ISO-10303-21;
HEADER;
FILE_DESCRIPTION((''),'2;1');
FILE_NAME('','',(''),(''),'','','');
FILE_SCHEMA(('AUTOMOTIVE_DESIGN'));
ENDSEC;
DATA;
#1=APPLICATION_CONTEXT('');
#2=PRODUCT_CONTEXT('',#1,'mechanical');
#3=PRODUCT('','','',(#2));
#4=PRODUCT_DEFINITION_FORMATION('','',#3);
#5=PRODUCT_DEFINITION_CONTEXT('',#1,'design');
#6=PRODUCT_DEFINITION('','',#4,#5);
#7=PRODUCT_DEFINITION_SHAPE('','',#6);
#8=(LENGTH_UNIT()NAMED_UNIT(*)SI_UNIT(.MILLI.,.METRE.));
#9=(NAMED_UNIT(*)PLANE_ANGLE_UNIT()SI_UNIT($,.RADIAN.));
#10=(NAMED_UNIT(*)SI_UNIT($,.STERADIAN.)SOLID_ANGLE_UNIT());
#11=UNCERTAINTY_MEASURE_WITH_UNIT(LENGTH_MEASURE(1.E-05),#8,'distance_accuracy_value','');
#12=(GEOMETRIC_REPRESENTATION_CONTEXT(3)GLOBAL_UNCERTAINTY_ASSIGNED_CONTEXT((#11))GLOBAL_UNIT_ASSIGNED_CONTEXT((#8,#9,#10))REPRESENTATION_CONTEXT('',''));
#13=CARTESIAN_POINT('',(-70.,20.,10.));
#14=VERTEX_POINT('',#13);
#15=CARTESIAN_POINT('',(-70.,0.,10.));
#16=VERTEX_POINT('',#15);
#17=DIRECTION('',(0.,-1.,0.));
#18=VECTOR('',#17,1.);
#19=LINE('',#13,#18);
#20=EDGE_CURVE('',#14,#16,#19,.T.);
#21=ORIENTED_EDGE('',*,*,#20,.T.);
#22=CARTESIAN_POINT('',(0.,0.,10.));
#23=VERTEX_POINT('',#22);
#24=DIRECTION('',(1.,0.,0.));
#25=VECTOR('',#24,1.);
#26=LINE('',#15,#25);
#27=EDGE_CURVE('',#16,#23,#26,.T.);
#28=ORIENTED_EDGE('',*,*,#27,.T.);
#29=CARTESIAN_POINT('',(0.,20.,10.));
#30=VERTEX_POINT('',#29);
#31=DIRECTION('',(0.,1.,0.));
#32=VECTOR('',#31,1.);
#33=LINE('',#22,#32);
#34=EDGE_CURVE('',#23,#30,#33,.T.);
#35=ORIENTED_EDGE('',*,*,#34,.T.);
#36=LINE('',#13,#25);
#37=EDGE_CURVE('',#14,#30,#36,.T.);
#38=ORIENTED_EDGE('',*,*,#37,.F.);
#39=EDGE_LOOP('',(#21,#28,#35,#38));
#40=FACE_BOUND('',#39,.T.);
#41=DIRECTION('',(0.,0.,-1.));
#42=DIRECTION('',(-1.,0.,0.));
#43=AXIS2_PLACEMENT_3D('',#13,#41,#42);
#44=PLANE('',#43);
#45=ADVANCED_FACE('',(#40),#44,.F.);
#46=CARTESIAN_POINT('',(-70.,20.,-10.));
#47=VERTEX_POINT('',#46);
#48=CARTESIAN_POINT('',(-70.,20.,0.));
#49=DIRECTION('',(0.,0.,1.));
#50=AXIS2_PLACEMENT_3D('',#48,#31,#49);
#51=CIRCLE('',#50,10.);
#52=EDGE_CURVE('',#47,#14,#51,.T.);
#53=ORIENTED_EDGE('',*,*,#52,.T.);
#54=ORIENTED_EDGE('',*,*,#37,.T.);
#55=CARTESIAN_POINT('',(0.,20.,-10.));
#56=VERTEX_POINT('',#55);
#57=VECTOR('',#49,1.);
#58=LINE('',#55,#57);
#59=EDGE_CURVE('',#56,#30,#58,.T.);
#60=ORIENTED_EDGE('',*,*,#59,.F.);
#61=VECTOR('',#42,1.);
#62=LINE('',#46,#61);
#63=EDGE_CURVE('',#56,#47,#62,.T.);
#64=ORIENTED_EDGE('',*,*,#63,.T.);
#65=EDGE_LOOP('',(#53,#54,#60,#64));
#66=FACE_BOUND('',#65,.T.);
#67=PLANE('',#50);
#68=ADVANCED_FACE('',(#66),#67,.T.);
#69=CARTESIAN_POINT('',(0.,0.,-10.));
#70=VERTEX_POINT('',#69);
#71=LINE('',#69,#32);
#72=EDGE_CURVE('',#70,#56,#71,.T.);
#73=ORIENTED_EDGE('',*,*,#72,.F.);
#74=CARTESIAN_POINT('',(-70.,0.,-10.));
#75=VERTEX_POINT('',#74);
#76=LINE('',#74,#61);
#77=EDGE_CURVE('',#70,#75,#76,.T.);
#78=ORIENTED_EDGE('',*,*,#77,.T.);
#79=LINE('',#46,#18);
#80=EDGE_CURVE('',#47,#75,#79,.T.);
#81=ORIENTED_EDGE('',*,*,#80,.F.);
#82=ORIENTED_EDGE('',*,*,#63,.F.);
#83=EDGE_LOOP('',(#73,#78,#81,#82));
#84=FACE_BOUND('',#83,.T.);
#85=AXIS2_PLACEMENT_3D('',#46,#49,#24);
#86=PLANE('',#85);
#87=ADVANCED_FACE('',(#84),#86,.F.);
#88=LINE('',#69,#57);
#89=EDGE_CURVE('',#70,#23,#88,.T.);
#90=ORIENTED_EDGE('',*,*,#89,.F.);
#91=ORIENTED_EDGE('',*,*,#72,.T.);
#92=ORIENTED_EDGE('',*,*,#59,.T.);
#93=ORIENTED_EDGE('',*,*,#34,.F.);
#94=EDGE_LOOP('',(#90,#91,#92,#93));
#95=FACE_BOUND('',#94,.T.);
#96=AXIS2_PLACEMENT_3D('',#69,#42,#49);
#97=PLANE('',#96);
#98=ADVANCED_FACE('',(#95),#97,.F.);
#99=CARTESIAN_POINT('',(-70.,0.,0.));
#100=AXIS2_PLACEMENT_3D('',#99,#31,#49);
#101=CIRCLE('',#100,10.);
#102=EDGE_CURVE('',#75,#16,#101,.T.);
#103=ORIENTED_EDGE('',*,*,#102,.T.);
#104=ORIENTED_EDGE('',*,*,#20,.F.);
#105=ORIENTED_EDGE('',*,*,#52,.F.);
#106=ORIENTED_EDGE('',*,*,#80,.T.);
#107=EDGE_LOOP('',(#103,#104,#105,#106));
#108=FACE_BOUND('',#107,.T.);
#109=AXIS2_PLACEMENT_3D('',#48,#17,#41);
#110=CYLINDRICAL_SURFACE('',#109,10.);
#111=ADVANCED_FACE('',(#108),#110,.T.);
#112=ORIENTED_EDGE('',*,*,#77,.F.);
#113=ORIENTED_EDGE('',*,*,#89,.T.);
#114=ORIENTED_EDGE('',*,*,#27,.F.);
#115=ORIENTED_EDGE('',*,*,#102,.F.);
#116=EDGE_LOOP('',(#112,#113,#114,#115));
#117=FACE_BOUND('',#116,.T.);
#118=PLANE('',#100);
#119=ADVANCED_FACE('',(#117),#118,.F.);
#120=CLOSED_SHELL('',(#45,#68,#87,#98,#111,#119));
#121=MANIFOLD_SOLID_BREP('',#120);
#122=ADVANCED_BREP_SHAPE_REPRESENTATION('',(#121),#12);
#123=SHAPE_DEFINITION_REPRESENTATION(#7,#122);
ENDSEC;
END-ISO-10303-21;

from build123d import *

# Parameters (mm, degrees)
BOSS_EXTRUDE1_DEPTH = 20
SKETCH2_W           = 80
SKETCH2_H           = 20
CUT_EXTRUDE1_DEPTH  = 21


with BuildPart() as part:
    # Sketch1 → Boss-Extrude1 (new body)
    with BuildSketch(Plane(origin=(0, 0, 0), x_dir=(1, 0, 0), z_dir=(0, 1, 0))):
        with BuildLine():
            Line((-70, 10), (70, 10))
            ThreePointArc((70, 10), (80, 0), (70, -10))
            Line((70, -10), (-70, -10))
            ThreePointArc((-70, -10), (-80, 0), (-70, 10))
        make_face()
    extrude(amount=BOSS_EXTRUDE1_DEPTH)

    # Sketch2 → Cut-Extrude1 (cut, through all)
    with BuildSketch(Plane(origin=(0, 20, 0), x_dir=(1, 0, 0), z_dir=(0, 1, 0))):
        with Locations((40, 0)):
            Rectangle(SKETCH2_W, SKETCH2_H)
    extrude(amount=-CUT_EXTRUDE1_DEPTH, mode=Mode.SUBTRACT)


solid = part.part
